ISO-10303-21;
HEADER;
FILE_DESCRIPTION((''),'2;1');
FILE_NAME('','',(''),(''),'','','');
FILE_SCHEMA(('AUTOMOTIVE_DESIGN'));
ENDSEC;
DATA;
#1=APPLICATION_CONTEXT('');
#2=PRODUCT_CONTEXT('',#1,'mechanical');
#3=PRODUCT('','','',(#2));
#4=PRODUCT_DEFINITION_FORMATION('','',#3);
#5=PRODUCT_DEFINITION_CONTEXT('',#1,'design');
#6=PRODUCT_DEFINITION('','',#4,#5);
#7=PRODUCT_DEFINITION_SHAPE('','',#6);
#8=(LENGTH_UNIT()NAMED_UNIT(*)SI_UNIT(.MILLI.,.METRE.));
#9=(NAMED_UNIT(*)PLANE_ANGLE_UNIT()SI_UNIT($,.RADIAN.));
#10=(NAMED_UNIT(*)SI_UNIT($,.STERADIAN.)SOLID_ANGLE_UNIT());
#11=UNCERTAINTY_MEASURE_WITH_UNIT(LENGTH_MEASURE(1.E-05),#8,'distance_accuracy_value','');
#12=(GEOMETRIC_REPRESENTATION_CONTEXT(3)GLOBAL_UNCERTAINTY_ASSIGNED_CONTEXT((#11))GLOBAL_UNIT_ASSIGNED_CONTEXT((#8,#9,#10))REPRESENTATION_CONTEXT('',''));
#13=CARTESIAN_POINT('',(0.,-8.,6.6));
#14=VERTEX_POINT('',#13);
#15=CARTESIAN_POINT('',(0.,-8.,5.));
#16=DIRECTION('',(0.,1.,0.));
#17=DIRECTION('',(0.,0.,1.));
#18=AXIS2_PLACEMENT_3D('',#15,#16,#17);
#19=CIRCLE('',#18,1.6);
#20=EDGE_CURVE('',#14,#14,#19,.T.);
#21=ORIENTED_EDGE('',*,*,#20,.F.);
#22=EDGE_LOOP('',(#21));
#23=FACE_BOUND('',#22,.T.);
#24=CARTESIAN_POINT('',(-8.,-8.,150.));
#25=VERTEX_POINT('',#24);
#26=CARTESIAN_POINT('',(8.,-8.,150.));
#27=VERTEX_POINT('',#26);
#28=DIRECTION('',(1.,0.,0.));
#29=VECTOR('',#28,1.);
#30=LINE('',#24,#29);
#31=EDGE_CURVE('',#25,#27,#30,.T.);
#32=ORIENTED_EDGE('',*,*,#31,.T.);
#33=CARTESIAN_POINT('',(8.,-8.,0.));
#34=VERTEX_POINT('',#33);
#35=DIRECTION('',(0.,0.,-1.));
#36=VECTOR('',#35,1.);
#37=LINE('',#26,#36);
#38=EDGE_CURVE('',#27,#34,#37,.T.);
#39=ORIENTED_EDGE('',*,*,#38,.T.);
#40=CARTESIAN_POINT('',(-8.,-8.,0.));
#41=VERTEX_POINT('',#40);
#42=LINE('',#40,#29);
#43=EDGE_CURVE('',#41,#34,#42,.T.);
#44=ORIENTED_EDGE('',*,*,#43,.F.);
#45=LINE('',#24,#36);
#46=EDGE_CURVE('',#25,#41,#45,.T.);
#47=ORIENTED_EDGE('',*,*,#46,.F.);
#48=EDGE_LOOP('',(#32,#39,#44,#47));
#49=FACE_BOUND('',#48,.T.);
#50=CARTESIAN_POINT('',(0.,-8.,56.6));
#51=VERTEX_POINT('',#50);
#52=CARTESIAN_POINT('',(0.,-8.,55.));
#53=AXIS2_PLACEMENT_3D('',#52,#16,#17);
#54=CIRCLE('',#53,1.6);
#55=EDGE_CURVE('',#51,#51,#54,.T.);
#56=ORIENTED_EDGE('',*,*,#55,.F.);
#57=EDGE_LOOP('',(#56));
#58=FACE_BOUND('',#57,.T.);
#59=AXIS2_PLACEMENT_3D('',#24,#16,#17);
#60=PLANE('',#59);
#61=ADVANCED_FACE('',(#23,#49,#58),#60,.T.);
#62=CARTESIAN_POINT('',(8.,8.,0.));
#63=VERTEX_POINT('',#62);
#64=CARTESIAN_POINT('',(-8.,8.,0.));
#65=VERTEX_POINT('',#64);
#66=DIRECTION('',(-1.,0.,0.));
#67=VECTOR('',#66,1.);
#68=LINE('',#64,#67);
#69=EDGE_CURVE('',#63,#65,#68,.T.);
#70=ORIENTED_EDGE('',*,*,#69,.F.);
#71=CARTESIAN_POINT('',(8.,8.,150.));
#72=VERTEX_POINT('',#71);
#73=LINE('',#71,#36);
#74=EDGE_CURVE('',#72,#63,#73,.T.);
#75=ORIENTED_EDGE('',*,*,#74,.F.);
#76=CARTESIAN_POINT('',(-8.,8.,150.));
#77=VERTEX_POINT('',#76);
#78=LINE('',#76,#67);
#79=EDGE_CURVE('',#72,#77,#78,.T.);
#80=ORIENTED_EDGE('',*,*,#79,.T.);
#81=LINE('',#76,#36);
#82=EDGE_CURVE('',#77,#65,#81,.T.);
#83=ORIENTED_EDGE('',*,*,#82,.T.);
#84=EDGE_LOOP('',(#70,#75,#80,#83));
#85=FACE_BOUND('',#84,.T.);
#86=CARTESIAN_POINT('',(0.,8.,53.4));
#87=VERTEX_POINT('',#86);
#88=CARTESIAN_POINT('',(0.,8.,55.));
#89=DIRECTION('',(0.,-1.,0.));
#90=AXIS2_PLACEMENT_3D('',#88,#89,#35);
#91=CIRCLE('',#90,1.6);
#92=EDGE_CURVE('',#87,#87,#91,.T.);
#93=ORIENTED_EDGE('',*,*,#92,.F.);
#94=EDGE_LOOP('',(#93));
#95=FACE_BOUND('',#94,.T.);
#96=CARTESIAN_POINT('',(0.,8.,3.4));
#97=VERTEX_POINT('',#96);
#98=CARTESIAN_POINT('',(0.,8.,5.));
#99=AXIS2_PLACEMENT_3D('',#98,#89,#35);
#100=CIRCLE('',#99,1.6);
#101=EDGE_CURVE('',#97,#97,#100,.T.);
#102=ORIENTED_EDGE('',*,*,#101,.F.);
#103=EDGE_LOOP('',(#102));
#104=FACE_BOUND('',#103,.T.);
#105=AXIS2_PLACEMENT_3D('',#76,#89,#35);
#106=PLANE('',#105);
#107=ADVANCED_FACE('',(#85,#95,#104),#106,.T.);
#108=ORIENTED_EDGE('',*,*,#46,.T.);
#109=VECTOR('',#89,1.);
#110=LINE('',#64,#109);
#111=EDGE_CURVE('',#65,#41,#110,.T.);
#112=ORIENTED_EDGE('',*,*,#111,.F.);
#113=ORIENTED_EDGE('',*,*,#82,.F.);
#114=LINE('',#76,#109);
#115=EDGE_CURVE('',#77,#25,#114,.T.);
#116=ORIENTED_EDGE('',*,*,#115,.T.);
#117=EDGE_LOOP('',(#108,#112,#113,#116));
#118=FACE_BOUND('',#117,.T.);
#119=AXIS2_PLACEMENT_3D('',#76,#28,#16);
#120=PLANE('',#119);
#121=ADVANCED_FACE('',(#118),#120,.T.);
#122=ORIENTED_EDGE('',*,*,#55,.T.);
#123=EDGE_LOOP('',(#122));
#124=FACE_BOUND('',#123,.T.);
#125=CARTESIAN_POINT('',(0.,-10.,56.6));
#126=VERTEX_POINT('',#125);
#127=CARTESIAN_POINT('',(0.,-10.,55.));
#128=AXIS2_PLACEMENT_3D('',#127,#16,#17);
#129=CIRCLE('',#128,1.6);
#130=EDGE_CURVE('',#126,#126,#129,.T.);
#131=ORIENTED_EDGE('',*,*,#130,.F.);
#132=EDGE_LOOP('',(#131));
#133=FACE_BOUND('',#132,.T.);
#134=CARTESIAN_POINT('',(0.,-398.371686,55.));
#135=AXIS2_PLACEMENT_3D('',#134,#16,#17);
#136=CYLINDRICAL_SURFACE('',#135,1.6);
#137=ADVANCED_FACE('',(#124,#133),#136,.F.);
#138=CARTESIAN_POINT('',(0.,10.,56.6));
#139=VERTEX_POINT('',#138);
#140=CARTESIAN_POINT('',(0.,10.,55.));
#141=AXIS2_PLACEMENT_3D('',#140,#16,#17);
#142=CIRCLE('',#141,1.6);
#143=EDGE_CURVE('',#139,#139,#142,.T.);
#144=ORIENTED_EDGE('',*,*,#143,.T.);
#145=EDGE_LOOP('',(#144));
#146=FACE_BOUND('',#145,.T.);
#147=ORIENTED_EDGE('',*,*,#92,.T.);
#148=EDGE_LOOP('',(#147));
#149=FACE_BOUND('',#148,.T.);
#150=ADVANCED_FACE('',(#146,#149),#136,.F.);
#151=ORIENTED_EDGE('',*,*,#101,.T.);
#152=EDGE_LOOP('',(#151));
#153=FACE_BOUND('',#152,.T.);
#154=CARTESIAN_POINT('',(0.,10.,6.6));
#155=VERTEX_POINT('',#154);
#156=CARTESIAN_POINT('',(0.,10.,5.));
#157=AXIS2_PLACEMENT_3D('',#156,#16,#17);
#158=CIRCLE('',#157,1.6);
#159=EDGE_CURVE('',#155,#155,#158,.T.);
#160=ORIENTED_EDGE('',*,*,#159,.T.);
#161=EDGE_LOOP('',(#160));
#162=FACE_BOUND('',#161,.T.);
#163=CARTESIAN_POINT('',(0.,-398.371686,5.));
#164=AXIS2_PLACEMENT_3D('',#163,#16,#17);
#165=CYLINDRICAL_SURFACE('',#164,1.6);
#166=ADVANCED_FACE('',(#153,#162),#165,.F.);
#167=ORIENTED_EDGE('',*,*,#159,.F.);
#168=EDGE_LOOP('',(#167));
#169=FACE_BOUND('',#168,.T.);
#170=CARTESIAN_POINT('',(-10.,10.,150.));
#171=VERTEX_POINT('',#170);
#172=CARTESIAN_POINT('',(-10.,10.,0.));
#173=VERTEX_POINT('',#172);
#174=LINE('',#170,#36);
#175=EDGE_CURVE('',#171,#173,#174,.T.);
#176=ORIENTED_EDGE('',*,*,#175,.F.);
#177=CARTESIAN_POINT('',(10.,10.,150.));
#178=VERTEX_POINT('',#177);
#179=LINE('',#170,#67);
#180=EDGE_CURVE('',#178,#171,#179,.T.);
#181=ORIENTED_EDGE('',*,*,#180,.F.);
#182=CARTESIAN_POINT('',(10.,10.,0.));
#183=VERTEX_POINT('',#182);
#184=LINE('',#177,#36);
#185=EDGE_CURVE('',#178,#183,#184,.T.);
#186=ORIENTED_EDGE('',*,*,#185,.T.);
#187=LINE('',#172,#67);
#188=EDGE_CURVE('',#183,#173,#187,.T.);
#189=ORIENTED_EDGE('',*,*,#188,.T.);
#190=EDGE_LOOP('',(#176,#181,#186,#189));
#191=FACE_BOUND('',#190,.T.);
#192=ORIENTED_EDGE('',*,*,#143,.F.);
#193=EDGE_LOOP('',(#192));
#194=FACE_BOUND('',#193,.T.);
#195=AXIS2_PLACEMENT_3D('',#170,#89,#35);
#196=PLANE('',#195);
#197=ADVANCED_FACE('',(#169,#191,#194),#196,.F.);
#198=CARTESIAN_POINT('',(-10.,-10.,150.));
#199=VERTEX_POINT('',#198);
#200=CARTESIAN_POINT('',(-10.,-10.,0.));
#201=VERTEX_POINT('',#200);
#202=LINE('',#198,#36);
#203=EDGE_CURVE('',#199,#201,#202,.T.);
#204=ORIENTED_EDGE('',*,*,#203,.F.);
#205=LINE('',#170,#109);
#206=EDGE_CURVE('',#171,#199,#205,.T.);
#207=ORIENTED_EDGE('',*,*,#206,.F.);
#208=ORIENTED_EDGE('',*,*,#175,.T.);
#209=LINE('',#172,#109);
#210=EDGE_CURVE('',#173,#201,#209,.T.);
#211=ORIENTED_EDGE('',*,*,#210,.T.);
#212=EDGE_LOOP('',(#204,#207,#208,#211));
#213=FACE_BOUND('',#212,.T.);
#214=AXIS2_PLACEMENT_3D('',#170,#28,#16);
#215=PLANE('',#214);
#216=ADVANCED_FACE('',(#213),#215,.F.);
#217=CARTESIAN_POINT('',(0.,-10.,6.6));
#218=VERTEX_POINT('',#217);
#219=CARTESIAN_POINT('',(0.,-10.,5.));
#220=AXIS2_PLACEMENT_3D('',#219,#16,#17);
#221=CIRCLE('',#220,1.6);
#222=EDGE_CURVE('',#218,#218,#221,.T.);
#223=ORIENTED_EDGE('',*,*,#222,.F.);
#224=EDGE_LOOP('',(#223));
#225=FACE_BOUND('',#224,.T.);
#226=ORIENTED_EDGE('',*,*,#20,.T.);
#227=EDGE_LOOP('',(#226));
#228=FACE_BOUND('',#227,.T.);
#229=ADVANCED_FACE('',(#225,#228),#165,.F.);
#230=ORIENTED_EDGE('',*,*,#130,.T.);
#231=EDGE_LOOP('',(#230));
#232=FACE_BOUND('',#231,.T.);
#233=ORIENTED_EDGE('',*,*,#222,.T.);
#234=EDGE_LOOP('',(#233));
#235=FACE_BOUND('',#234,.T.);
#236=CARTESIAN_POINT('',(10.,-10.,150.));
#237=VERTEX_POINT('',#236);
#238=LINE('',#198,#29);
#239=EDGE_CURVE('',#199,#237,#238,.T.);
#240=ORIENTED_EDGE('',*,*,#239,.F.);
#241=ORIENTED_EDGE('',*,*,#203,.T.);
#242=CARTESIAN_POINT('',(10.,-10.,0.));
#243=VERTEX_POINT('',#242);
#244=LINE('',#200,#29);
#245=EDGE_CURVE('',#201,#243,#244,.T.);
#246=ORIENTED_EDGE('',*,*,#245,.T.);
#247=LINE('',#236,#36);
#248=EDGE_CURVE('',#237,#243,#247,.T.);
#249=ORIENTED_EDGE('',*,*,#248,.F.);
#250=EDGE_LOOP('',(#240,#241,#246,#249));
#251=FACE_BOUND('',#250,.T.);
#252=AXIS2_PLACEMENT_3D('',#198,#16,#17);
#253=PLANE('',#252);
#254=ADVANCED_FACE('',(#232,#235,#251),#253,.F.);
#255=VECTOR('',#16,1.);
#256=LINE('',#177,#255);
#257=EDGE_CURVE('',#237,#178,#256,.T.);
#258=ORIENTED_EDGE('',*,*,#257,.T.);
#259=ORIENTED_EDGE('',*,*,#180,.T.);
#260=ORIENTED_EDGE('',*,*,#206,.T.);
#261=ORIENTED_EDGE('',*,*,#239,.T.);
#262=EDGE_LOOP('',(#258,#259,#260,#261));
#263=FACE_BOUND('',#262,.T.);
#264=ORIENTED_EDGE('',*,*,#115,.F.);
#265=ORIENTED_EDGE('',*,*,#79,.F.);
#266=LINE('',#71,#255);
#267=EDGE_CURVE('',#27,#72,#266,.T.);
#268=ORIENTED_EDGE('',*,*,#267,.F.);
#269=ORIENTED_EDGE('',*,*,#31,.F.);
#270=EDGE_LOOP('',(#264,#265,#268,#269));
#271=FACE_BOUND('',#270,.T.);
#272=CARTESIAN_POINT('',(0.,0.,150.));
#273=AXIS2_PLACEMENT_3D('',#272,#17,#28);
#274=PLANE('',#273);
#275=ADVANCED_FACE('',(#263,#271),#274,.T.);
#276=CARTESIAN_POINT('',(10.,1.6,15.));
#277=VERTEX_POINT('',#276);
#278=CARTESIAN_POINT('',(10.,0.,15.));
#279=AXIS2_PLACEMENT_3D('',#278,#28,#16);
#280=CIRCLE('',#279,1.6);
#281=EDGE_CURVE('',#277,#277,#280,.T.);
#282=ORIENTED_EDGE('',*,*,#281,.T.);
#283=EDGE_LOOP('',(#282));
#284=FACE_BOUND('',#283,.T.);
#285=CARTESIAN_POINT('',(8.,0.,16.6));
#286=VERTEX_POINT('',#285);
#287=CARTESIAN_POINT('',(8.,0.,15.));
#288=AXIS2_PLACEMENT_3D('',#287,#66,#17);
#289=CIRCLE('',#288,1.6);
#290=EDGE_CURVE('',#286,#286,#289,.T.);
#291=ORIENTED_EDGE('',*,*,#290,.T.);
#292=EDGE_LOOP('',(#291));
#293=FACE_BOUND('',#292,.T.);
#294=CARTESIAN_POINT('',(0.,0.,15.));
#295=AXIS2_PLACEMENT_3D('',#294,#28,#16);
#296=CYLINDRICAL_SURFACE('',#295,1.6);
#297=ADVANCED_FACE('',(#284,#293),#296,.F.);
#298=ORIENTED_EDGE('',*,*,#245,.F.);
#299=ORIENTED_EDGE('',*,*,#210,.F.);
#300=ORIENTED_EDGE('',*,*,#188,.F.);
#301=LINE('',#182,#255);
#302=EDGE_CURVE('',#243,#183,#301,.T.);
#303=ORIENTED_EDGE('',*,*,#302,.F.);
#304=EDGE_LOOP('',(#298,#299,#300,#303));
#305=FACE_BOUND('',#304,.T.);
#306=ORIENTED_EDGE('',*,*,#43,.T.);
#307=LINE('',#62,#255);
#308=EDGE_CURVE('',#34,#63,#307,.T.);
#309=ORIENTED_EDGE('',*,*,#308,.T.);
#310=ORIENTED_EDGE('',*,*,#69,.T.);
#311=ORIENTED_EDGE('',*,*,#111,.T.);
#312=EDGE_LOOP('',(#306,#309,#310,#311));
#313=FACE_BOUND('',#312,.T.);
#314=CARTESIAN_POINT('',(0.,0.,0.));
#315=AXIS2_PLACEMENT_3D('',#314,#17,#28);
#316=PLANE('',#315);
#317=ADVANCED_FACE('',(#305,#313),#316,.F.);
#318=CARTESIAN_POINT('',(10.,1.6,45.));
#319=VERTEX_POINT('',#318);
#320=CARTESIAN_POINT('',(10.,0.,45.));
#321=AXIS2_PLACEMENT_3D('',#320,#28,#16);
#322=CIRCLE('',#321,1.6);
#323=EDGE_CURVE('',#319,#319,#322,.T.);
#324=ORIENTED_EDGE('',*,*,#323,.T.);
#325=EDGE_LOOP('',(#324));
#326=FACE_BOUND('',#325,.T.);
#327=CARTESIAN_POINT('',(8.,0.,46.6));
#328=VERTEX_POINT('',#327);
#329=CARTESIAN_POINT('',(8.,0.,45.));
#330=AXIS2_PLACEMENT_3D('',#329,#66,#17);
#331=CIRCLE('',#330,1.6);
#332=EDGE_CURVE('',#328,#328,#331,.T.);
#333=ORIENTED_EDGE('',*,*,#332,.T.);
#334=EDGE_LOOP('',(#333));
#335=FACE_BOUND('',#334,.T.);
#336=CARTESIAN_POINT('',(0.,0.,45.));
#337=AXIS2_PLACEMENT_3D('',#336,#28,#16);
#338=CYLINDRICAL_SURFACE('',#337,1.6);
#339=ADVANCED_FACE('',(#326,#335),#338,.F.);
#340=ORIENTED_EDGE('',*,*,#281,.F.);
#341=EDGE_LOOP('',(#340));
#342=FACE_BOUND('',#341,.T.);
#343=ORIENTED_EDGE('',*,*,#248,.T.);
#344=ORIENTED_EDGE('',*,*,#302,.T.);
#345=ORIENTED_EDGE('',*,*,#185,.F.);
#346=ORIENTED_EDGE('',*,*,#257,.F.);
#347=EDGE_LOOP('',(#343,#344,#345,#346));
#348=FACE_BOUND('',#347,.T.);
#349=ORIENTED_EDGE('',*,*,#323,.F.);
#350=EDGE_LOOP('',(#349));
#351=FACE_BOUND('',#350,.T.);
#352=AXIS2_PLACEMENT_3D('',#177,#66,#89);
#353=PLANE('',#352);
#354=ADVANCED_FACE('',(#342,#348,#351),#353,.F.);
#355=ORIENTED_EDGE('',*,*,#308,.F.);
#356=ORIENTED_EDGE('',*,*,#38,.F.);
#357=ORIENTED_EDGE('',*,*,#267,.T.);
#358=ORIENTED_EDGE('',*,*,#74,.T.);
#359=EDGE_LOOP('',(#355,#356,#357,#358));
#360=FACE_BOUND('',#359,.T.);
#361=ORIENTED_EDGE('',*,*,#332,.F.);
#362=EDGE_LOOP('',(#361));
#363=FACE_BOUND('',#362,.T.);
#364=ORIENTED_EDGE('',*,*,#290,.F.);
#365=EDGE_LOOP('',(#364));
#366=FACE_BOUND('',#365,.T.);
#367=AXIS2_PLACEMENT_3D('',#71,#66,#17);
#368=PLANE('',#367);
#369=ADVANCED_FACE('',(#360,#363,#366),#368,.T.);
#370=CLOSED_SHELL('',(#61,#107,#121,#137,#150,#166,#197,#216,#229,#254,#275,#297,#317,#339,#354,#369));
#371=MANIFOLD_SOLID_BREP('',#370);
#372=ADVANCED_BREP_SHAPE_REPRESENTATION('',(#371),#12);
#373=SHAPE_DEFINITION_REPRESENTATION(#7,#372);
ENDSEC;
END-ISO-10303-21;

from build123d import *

# Parameters (mm, degrees)
SKETCH_1_W          = 20
SKETCH_1_H          = 20
SKETCH_1_W_2        = 16
SKETCH_1_H_2        = 16
EXTRUDE_1_DEPTH     = 150
SKETCH_2_R          = 1.6
CUT_EXTRUDE_1_DEPTH = 408.37168574
SKETCH_3_R          = 1.6
CUT_EXTRUDE_2_DEPTH = 10


with BuildPart() as part:
    # ｽｹｯﾁ1 → ﾎﾞｽ - 押し出し1 (new body)
    with BuildSketch(Plane.XY):
        Rectangle(SKETCH_1_W, SKETCH_1_H)
        Rectangle(SKETCH_1_W_2, SKETCH_1_H_2, mode=Mode.SUBTRACT)
    extrude(amount=EXTRUDE_1_DEPTH)

    # ｽｹｯﾁ2 → ｶｯﾄ - 押し出し1 (cut)
    with BuildSketch(Plane(origin=(0, 10, 0), x_dir=(1, 0, 0), z_dir=(0, 1, 0))):
        with Locations(Location((0, -5, 0), (0, 0, 270))):
            Circle(SKETCH_2_R)
        with Locations(Location((0, -55, 0), (0, 0, 270))):
            Circle(SKETCH_2_R)
    extrude(amount=-CUT_EXTRUDE_1_DEPTH, mode=Mode.SUBTRACT)

    # ｽｹｯﾁ3 → ｶｯﾄ - 押し出し2 (cut)
    with BuildSketch(Plane(origin=(10, 0, 0), x_dir=(0, 0, -1), z_dir=(1, 0, 0))):
        with Locations(Location((-15, 0, 0), (0, 0, 90))):
            Circle(SKETCH_3_R)
        with Locations(Location((-45, 0, 0), (0, 0, 90))):
            Circle(SKETCH_3_R)
    extrude(amount=-CUT_EXTRUDE_2_DEPTH, mode=Mode.SUBTRACT)


solid = part.part
